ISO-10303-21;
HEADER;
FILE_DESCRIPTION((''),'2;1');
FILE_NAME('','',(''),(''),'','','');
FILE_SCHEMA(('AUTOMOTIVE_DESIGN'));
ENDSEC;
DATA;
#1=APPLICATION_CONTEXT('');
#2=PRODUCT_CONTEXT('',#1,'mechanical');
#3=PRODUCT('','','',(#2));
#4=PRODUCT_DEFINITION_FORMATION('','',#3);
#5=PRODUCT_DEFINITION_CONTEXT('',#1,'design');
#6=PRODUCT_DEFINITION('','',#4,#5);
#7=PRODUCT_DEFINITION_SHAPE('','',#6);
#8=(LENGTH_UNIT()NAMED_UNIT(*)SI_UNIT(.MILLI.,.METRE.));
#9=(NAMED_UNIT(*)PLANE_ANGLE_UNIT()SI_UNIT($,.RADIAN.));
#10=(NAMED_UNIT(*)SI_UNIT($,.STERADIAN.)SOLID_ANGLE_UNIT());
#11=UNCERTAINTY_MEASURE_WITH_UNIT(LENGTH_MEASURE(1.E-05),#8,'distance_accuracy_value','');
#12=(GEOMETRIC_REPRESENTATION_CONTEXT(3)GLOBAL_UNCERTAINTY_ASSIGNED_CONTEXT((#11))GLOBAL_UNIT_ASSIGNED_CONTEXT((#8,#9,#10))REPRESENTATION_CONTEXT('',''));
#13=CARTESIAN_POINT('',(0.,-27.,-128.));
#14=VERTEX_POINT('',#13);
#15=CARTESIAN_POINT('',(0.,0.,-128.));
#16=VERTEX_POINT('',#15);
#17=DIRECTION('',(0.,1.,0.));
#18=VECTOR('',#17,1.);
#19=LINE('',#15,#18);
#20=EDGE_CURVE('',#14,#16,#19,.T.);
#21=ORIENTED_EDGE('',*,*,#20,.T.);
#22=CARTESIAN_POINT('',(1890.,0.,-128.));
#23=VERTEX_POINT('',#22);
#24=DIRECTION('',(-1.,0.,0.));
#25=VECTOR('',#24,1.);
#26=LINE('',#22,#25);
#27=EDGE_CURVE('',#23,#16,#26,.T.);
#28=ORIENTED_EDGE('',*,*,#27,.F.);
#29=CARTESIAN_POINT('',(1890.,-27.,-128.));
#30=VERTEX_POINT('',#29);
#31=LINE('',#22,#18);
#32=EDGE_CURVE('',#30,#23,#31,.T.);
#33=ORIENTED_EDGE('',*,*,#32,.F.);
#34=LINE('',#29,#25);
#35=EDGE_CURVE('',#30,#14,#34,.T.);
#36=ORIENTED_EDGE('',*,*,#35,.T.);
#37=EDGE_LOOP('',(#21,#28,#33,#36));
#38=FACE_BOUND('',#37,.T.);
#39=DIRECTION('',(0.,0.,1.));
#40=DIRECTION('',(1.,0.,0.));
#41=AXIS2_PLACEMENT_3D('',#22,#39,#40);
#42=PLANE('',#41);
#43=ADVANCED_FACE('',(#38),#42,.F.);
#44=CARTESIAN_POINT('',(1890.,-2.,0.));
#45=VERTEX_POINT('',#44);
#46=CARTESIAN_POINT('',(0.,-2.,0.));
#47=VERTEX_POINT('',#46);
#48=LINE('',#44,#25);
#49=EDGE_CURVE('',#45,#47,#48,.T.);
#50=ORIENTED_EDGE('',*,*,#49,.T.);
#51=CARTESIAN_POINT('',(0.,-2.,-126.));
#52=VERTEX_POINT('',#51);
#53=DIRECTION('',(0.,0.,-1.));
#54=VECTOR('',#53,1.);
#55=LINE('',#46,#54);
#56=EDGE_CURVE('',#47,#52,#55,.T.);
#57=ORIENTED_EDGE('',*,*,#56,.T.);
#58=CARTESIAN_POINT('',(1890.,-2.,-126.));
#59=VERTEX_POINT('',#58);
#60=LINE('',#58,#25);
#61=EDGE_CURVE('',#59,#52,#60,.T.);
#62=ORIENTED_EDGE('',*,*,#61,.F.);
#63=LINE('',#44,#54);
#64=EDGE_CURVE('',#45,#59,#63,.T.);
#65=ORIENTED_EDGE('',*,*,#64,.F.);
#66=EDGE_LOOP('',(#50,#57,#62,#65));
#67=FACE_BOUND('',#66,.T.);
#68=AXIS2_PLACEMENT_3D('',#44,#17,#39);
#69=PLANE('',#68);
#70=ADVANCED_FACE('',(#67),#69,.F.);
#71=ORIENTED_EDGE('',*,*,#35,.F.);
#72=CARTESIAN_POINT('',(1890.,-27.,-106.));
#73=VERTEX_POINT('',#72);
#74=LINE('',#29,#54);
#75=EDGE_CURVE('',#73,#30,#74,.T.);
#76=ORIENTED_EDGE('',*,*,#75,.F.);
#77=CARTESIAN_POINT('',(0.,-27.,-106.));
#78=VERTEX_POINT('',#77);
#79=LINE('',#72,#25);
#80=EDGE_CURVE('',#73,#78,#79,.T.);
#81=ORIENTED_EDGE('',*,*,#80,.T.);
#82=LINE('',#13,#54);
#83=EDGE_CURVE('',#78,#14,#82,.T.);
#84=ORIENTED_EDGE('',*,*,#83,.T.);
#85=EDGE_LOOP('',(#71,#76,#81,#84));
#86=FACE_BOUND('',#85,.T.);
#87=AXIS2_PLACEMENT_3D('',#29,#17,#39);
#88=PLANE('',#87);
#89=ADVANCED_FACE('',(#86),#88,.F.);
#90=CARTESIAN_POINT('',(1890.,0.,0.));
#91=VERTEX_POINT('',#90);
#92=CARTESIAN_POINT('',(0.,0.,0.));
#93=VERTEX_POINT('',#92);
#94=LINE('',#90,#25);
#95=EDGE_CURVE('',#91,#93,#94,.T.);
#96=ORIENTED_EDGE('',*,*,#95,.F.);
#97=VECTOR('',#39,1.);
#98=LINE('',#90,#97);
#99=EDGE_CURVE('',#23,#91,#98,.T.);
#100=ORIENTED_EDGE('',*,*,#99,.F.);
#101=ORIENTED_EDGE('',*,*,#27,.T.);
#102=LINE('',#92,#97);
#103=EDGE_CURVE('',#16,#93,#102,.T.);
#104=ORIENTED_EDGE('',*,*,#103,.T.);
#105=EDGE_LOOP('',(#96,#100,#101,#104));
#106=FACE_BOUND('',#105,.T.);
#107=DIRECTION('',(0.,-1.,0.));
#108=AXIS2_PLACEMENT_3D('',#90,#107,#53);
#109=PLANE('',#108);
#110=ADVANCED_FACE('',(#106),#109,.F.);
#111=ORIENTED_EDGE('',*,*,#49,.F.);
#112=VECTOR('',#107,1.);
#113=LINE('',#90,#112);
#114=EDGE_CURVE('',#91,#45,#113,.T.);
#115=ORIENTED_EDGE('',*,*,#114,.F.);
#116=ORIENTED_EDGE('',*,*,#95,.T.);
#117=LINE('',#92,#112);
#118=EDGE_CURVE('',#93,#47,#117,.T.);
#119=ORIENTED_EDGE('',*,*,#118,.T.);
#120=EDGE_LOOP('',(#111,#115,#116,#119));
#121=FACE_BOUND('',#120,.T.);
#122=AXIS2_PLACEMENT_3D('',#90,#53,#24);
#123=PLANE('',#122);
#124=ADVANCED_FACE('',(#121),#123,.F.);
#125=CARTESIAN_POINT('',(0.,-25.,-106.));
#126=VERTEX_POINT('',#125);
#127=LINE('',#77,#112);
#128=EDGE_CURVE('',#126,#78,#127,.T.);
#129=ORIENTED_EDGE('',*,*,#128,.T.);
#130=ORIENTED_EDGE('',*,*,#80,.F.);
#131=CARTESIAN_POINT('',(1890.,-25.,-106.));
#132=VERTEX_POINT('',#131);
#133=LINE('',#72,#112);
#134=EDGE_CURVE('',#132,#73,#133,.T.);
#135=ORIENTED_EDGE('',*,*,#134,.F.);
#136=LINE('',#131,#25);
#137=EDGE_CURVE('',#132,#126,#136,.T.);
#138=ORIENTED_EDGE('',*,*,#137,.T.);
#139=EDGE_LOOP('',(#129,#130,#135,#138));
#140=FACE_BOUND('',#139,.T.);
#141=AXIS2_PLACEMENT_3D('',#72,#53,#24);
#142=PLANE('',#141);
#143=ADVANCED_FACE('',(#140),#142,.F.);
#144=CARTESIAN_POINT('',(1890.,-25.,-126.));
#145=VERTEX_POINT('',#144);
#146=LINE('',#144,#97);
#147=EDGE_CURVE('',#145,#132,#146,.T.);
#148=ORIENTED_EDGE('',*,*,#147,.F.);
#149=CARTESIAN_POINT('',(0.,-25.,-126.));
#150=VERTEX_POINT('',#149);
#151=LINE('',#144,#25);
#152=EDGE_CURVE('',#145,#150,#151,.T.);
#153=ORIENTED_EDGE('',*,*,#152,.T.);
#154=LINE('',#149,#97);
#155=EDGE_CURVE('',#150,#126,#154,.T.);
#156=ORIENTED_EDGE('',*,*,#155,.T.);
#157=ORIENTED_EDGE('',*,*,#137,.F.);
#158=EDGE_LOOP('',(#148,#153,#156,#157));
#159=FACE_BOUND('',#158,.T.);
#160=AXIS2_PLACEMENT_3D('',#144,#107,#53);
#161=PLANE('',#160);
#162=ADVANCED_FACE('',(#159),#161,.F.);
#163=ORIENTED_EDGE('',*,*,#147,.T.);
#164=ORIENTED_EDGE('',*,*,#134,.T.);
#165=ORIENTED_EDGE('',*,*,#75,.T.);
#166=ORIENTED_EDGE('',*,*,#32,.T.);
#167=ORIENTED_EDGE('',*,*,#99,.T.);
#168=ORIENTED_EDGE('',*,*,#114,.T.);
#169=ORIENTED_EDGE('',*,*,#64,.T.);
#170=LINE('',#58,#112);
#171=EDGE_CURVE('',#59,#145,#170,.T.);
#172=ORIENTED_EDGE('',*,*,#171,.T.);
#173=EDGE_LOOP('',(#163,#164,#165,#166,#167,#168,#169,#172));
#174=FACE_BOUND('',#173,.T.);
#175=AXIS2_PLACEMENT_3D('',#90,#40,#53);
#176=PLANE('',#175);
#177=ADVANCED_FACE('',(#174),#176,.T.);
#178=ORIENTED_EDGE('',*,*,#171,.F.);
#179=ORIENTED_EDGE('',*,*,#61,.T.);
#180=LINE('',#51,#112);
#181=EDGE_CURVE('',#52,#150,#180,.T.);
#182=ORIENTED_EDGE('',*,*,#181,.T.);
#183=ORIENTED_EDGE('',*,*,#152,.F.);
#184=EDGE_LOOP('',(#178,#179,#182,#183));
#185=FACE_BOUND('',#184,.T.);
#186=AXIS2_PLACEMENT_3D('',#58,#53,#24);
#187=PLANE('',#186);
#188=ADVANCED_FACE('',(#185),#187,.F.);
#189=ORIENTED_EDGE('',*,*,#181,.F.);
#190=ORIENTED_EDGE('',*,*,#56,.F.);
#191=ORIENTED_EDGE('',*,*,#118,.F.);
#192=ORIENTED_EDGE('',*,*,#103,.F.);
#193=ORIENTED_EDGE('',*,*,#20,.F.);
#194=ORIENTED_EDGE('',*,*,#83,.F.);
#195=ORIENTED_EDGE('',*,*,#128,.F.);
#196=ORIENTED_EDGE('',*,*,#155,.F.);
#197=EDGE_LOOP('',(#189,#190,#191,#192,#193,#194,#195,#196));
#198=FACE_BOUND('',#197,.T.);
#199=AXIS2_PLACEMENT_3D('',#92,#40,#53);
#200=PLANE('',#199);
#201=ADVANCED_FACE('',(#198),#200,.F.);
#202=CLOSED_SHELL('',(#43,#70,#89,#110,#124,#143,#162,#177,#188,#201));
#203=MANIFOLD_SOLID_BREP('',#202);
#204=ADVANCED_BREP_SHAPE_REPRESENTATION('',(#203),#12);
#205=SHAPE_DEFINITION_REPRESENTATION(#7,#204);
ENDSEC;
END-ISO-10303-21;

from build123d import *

# Parameters (mm, degrees)
BOSS_EXTRUDE1_DEPTH = 1890


with BuildPart() as part:
    # Sketch1 → Boss-Extrude1 (new body)
    with BuildSketch(Plane(origin=(0, 0, 0), x_dir=(0, 0, -1), z_dir=(1, 0, 0))):
        Polygon((0, 0), (128, 0), (128, -27), (106, -27), (106, -25), (126, -25), (126, -2), (0, -2), align=None)
    extrude(amount=BOSS_EXTRUDE1_DEPTH)


solid = part.part
